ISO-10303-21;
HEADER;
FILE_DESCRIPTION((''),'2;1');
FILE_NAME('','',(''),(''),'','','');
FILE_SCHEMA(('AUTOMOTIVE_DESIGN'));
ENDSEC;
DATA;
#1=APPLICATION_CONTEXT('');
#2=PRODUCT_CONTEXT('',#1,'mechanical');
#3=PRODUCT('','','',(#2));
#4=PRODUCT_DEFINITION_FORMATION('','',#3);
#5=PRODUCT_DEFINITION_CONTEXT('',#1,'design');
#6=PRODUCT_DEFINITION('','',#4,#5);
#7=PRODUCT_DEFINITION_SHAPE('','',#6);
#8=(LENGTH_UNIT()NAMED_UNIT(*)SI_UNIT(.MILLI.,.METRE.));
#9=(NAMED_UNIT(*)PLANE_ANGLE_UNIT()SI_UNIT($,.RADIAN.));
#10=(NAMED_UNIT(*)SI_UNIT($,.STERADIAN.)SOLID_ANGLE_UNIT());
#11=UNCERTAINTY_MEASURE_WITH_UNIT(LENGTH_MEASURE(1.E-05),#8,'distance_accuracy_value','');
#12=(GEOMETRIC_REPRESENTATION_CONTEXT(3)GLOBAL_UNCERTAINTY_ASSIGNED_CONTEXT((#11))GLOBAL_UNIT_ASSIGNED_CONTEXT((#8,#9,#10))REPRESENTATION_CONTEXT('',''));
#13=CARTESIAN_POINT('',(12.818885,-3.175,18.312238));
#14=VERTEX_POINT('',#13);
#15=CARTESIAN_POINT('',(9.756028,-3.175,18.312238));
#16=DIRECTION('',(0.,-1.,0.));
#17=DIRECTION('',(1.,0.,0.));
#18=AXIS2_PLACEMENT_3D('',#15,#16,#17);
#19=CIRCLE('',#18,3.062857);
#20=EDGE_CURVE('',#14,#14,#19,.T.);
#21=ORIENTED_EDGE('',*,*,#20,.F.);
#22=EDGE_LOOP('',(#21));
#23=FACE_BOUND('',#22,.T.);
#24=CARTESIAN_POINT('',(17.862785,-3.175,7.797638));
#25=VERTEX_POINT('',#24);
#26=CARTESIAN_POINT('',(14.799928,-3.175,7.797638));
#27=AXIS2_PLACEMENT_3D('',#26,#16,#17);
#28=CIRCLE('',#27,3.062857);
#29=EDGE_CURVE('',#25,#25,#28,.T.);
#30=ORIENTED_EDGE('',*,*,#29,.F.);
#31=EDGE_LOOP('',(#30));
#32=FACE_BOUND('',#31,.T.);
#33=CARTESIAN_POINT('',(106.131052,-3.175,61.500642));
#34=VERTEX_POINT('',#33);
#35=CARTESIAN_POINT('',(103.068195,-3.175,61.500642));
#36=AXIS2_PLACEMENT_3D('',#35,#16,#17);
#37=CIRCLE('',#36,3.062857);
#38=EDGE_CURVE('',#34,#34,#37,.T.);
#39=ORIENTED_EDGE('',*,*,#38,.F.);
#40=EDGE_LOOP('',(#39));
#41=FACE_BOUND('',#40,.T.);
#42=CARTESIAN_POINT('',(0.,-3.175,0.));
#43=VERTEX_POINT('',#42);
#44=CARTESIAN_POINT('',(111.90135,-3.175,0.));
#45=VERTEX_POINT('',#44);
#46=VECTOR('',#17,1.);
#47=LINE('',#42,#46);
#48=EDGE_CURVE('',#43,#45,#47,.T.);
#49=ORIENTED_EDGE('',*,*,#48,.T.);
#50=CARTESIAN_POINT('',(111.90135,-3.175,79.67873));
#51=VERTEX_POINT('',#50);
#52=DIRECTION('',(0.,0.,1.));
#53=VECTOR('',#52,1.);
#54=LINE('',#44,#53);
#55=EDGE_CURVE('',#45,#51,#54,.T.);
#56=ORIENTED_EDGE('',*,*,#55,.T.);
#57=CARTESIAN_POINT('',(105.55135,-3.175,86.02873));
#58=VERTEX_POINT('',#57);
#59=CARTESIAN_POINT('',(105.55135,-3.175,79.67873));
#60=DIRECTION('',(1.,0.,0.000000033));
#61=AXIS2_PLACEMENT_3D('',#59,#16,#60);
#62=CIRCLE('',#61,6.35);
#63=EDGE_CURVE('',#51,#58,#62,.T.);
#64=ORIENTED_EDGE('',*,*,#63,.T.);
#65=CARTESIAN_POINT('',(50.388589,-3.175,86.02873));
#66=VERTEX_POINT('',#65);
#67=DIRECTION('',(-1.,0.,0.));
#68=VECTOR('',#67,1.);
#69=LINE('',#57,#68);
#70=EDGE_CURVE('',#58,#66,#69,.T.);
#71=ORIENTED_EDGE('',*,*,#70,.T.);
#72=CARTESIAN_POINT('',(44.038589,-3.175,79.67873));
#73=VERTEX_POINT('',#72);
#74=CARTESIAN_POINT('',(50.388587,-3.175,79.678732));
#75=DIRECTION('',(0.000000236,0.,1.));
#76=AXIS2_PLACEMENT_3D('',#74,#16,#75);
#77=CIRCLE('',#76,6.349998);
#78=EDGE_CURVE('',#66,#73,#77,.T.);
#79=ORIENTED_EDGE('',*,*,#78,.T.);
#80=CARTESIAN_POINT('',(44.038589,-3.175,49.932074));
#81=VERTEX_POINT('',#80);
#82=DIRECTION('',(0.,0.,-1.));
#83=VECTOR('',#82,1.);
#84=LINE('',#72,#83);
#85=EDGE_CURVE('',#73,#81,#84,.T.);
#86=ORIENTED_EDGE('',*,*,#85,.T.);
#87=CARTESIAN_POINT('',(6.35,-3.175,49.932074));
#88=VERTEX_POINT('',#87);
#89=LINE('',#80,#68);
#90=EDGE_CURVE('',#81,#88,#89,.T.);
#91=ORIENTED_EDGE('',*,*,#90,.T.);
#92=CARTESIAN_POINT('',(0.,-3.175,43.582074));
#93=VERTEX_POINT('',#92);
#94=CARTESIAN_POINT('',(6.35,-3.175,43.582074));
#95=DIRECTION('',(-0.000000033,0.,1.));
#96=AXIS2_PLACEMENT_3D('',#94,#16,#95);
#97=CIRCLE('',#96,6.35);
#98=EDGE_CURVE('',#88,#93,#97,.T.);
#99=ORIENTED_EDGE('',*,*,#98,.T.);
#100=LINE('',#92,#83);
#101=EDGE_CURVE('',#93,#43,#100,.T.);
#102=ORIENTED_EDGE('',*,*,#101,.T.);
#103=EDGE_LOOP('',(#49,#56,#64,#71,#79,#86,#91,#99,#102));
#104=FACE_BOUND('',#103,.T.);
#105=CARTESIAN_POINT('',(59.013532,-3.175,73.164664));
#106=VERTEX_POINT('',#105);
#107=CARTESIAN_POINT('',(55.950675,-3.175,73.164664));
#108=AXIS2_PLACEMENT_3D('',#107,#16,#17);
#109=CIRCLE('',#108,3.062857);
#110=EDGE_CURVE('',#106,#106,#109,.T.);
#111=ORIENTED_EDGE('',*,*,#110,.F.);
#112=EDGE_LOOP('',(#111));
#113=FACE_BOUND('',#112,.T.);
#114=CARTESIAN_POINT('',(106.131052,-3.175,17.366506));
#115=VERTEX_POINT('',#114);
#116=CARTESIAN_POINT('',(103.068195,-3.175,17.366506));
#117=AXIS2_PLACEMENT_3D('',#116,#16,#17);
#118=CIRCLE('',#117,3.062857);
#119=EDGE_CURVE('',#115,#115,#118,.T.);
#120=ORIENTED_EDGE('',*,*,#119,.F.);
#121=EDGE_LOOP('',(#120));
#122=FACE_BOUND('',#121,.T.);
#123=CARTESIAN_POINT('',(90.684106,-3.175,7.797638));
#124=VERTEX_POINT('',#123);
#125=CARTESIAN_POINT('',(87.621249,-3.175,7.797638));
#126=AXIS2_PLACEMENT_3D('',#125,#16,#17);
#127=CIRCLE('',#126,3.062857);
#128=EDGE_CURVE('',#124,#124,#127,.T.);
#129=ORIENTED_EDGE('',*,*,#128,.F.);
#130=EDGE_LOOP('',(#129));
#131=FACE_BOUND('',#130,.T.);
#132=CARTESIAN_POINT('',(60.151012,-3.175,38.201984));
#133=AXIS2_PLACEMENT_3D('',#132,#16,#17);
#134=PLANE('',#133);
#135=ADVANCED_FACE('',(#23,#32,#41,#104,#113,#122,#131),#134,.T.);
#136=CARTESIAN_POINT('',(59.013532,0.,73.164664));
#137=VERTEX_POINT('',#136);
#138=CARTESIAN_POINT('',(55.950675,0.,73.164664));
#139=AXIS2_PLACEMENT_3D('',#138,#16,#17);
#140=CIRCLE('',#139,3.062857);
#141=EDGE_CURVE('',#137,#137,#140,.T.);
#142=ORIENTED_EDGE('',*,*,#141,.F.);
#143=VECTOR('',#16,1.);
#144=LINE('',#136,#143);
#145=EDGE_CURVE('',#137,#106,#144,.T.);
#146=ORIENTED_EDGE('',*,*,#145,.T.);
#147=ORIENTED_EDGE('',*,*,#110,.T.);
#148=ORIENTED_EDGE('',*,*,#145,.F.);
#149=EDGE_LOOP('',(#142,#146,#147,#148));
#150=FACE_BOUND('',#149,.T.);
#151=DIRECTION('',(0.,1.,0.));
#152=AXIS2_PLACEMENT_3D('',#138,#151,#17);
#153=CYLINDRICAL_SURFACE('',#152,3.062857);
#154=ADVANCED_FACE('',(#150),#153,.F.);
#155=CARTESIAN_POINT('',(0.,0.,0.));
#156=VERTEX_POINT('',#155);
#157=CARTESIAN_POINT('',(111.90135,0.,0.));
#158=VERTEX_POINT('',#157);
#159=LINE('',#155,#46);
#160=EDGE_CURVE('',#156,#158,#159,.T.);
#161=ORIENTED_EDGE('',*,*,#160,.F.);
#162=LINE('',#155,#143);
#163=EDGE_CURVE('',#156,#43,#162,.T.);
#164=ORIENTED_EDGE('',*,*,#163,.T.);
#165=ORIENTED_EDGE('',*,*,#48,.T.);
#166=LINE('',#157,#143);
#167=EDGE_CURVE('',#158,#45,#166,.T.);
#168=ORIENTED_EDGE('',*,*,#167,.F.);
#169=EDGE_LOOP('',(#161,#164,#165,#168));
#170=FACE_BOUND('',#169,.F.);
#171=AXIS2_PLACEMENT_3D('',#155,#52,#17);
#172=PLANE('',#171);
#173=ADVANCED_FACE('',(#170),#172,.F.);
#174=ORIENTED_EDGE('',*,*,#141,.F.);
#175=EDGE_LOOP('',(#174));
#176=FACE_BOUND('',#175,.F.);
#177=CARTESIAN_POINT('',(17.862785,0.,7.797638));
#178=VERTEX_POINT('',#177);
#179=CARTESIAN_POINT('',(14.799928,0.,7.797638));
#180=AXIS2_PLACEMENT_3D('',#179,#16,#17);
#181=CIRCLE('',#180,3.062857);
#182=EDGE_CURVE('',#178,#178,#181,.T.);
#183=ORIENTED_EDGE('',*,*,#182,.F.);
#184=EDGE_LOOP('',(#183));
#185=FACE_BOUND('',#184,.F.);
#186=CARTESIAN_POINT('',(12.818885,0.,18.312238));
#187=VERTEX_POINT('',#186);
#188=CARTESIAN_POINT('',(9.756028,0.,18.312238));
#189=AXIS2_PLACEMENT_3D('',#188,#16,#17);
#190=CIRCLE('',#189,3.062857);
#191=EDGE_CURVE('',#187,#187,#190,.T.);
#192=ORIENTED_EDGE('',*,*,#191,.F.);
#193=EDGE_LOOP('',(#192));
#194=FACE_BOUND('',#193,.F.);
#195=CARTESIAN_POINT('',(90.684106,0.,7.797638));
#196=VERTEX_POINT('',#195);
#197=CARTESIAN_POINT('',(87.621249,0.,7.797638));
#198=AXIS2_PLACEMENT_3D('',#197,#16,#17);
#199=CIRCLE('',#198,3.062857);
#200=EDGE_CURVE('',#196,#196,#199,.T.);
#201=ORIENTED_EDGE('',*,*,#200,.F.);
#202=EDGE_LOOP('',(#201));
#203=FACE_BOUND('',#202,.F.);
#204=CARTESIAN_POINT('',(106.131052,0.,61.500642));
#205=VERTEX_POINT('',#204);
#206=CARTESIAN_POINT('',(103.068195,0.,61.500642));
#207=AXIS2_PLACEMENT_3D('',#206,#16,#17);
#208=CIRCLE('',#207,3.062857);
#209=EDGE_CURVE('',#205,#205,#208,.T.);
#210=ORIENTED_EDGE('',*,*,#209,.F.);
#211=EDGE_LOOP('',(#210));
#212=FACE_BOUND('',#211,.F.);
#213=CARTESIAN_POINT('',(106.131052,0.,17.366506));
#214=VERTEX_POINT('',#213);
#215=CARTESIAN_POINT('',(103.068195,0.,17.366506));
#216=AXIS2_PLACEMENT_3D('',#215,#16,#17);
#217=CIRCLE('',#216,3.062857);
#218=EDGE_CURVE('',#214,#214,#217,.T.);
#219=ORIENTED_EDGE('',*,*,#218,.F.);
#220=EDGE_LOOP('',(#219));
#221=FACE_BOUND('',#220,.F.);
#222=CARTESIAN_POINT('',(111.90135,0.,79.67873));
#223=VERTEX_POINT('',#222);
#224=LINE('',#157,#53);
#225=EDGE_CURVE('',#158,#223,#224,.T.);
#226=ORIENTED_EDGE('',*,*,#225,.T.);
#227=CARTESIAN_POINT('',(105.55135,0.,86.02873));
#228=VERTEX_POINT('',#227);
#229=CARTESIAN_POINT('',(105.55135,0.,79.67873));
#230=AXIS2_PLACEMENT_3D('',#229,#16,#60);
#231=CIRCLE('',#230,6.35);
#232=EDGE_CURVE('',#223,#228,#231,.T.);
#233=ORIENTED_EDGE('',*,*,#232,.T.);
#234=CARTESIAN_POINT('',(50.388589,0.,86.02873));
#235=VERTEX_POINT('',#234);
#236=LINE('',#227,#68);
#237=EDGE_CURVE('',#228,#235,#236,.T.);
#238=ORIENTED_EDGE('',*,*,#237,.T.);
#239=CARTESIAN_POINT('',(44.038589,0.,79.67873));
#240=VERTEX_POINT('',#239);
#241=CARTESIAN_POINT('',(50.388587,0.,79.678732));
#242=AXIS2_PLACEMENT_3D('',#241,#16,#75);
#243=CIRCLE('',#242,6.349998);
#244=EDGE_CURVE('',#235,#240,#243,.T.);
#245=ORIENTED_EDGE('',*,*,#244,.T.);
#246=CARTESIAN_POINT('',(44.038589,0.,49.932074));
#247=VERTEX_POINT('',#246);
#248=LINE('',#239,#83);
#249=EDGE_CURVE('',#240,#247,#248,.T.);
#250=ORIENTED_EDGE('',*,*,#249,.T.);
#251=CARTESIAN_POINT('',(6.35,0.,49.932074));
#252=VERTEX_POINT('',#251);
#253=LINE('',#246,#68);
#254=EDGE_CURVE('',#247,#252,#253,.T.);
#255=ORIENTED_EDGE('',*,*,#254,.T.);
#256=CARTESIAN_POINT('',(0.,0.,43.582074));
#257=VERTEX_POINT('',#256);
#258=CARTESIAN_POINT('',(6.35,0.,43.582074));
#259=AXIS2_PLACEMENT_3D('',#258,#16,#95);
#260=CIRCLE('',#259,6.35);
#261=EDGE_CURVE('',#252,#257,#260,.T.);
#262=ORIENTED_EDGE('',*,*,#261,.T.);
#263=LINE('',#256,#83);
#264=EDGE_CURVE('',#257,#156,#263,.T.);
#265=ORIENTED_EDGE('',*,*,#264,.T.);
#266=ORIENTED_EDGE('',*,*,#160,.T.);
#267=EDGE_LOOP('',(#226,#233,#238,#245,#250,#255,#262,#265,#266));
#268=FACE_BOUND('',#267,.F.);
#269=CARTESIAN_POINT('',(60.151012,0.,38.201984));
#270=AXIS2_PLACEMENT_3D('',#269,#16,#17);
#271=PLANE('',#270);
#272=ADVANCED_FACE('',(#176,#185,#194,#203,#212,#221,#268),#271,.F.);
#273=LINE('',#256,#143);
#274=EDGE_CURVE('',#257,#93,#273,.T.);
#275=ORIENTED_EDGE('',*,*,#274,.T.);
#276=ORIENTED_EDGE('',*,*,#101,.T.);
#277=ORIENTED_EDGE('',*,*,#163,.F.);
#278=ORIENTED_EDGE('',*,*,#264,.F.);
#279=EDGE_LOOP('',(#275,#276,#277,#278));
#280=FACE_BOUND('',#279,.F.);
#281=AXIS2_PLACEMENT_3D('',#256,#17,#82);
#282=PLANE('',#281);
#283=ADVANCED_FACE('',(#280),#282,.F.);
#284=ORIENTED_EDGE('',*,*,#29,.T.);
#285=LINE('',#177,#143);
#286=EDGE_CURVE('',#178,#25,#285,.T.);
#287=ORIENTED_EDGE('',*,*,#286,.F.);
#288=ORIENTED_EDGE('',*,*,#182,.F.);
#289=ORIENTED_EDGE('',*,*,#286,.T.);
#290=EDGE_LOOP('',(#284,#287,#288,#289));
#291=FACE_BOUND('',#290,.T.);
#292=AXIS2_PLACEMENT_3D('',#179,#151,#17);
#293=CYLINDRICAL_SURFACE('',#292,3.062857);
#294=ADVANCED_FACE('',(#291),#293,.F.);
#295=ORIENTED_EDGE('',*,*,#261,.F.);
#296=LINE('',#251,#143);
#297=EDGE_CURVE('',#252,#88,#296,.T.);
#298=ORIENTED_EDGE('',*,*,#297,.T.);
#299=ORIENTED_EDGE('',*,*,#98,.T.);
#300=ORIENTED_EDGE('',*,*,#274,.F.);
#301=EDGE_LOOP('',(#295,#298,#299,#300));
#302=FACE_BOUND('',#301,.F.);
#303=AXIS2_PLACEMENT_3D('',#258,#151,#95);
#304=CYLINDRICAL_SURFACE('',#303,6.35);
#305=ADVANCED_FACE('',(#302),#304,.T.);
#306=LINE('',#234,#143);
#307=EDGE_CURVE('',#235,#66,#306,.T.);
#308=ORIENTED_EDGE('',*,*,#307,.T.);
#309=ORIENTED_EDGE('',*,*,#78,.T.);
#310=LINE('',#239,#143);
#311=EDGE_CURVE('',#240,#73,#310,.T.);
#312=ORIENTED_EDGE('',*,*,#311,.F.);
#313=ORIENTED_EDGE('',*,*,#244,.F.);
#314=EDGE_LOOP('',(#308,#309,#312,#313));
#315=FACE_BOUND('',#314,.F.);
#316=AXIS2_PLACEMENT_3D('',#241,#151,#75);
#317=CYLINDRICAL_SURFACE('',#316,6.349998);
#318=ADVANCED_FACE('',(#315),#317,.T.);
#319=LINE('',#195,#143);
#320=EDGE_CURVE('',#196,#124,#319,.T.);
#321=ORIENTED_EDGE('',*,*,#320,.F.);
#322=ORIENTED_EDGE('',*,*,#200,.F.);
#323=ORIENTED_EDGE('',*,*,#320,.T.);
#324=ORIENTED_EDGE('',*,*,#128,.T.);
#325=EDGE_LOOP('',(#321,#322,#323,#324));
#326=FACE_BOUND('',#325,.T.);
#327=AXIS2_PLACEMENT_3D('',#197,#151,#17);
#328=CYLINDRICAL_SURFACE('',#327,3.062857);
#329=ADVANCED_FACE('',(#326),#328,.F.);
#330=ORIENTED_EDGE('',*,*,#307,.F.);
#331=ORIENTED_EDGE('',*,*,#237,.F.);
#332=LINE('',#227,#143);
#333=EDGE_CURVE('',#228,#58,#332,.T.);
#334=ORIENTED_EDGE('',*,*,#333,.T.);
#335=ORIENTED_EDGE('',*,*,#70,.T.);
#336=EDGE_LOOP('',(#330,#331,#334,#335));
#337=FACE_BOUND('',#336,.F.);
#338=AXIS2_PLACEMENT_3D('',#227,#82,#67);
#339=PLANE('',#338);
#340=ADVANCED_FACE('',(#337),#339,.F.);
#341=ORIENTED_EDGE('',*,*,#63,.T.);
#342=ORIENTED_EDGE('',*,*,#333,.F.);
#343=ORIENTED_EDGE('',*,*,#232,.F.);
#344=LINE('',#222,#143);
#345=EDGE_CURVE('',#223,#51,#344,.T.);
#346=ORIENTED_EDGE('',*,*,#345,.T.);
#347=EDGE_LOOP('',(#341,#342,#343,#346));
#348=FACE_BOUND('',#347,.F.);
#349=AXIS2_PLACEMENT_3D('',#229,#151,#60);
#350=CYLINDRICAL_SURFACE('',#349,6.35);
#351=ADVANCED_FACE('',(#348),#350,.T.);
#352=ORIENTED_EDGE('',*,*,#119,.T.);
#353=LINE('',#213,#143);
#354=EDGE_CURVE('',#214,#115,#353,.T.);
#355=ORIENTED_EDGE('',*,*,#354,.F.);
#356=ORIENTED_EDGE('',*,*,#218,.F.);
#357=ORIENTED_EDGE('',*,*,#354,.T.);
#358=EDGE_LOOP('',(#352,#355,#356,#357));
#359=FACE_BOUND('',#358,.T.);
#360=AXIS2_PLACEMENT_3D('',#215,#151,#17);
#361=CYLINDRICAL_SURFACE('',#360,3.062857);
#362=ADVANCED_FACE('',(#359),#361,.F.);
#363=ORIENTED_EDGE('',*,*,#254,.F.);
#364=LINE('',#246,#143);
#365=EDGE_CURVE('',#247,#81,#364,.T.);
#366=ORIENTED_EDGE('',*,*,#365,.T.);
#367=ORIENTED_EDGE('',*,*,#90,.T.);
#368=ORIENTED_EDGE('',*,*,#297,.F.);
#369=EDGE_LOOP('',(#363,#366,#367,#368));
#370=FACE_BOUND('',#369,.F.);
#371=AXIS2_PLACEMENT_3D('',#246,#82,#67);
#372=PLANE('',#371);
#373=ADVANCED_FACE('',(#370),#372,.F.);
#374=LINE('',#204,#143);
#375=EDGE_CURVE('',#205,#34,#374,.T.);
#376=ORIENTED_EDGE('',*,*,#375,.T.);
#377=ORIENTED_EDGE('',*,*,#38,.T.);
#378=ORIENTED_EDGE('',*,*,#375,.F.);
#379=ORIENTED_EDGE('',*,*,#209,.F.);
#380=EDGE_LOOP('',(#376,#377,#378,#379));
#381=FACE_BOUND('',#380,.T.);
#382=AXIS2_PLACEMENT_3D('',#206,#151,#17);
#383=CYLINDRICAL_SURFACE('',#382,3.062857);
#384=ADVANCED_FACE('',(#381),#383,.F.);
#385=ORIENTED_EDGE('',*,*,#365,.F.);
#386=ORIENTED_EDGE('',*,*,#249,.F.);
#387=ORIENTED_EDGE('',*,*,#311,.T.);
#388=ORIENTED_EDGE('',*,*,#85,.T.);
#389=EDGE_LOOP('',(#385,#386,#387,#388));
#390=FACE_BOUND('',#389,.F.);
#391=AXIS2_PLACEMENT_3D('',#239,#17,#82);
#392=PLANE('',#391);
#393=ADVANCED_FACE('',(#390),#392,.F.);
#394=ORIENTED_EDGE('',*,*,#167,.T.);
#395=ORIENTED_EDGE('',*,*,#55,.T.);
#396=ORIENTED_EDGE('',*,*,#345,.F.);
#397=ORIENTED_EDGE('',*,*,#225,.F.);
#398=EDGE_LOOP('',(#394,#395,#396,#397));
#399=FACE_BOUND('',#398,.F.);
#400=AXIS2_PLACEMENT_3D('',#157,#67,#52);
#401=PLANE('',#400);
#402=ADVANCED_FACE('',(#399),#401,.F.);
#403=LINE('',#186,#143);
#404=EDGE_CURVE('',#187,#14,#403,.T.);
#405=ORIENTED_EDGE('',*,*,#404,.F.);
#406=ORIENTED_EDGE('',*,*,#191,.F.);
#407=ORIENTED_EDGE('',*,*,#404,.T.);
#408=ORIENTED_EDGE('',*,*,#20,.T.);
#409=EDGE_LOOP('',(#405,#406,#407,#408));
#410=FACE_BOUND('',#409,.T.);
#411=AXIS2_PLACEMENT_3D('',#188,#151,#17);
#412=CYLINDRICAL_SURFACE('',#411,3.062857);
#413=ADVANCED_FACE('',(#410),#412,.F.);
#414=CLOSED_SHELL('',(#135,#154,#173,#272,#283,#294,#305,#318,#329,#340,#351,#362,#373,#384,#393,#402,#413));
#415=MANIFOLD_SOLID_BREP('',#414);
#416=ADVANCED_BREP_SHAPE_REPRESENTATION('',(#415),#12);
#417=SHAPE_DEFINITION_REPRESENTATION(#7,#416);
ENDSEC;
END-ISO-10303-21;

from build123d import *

# Parameters (mm, degrees)
F0_R     = 3.062857
F1_DEPTH = 3.175


with BuildPart() as f1:
    # F0 (on Front) → F1 (new body)
    with BuildSketch(Plane.XZ):
        with BuildLine():
            Line((0, 43.582074), (0, 0))
            Line((0, 0), (111.90135, 0))
            Line((111.90135, 0), (111.90135, 79.67873))
            ThreePointArc((111.90135, 79.67873), (110.041478, 84.168858), (105.55135, 86.02873))
            Line((105.55135, 86.02873), (50.388589, 86.02873))
            ThreePointArc((50.388589, 86.02873), (45.89846, 84.168858), (44.038589, 79.67873))
            Line((44.038589, 79.67873), (44.038589, 49.932074))
            Line((44.038589, 49.932074), (6.35, 49.932074))
            ThreePointArc((6.35, 49.932074), (1.859872, 48.072202), (0, 43.582074))
        make_face()
        with Locations((14.799928, 7.797638)):
            Circle(F0_R, mode=Mode.SUBTRACT)
        with Locations((9.756028, 18.312238)):
            Circle(F0_R, mode=Mode.SUBTRACT)
        with Locations((87.621249, 7.797638)):
            Circle(F0_R, mode=Mode.SUBTRACT)
        with Locations((103.068195, 17.366506)):
            Circle(F0_R, mode=Mode.SUBTRACT)
        with Locations((55.950675, 73.164664)):
            Circle(F0_R, mode=Mode.SUBTRACT)
        with Locations((103.068195, 61.500642)):
            Circle(F0_R, mode=Mode.SUBTRACT)
    extrude(amount=F1_DEPTH)


solid = f1.part
